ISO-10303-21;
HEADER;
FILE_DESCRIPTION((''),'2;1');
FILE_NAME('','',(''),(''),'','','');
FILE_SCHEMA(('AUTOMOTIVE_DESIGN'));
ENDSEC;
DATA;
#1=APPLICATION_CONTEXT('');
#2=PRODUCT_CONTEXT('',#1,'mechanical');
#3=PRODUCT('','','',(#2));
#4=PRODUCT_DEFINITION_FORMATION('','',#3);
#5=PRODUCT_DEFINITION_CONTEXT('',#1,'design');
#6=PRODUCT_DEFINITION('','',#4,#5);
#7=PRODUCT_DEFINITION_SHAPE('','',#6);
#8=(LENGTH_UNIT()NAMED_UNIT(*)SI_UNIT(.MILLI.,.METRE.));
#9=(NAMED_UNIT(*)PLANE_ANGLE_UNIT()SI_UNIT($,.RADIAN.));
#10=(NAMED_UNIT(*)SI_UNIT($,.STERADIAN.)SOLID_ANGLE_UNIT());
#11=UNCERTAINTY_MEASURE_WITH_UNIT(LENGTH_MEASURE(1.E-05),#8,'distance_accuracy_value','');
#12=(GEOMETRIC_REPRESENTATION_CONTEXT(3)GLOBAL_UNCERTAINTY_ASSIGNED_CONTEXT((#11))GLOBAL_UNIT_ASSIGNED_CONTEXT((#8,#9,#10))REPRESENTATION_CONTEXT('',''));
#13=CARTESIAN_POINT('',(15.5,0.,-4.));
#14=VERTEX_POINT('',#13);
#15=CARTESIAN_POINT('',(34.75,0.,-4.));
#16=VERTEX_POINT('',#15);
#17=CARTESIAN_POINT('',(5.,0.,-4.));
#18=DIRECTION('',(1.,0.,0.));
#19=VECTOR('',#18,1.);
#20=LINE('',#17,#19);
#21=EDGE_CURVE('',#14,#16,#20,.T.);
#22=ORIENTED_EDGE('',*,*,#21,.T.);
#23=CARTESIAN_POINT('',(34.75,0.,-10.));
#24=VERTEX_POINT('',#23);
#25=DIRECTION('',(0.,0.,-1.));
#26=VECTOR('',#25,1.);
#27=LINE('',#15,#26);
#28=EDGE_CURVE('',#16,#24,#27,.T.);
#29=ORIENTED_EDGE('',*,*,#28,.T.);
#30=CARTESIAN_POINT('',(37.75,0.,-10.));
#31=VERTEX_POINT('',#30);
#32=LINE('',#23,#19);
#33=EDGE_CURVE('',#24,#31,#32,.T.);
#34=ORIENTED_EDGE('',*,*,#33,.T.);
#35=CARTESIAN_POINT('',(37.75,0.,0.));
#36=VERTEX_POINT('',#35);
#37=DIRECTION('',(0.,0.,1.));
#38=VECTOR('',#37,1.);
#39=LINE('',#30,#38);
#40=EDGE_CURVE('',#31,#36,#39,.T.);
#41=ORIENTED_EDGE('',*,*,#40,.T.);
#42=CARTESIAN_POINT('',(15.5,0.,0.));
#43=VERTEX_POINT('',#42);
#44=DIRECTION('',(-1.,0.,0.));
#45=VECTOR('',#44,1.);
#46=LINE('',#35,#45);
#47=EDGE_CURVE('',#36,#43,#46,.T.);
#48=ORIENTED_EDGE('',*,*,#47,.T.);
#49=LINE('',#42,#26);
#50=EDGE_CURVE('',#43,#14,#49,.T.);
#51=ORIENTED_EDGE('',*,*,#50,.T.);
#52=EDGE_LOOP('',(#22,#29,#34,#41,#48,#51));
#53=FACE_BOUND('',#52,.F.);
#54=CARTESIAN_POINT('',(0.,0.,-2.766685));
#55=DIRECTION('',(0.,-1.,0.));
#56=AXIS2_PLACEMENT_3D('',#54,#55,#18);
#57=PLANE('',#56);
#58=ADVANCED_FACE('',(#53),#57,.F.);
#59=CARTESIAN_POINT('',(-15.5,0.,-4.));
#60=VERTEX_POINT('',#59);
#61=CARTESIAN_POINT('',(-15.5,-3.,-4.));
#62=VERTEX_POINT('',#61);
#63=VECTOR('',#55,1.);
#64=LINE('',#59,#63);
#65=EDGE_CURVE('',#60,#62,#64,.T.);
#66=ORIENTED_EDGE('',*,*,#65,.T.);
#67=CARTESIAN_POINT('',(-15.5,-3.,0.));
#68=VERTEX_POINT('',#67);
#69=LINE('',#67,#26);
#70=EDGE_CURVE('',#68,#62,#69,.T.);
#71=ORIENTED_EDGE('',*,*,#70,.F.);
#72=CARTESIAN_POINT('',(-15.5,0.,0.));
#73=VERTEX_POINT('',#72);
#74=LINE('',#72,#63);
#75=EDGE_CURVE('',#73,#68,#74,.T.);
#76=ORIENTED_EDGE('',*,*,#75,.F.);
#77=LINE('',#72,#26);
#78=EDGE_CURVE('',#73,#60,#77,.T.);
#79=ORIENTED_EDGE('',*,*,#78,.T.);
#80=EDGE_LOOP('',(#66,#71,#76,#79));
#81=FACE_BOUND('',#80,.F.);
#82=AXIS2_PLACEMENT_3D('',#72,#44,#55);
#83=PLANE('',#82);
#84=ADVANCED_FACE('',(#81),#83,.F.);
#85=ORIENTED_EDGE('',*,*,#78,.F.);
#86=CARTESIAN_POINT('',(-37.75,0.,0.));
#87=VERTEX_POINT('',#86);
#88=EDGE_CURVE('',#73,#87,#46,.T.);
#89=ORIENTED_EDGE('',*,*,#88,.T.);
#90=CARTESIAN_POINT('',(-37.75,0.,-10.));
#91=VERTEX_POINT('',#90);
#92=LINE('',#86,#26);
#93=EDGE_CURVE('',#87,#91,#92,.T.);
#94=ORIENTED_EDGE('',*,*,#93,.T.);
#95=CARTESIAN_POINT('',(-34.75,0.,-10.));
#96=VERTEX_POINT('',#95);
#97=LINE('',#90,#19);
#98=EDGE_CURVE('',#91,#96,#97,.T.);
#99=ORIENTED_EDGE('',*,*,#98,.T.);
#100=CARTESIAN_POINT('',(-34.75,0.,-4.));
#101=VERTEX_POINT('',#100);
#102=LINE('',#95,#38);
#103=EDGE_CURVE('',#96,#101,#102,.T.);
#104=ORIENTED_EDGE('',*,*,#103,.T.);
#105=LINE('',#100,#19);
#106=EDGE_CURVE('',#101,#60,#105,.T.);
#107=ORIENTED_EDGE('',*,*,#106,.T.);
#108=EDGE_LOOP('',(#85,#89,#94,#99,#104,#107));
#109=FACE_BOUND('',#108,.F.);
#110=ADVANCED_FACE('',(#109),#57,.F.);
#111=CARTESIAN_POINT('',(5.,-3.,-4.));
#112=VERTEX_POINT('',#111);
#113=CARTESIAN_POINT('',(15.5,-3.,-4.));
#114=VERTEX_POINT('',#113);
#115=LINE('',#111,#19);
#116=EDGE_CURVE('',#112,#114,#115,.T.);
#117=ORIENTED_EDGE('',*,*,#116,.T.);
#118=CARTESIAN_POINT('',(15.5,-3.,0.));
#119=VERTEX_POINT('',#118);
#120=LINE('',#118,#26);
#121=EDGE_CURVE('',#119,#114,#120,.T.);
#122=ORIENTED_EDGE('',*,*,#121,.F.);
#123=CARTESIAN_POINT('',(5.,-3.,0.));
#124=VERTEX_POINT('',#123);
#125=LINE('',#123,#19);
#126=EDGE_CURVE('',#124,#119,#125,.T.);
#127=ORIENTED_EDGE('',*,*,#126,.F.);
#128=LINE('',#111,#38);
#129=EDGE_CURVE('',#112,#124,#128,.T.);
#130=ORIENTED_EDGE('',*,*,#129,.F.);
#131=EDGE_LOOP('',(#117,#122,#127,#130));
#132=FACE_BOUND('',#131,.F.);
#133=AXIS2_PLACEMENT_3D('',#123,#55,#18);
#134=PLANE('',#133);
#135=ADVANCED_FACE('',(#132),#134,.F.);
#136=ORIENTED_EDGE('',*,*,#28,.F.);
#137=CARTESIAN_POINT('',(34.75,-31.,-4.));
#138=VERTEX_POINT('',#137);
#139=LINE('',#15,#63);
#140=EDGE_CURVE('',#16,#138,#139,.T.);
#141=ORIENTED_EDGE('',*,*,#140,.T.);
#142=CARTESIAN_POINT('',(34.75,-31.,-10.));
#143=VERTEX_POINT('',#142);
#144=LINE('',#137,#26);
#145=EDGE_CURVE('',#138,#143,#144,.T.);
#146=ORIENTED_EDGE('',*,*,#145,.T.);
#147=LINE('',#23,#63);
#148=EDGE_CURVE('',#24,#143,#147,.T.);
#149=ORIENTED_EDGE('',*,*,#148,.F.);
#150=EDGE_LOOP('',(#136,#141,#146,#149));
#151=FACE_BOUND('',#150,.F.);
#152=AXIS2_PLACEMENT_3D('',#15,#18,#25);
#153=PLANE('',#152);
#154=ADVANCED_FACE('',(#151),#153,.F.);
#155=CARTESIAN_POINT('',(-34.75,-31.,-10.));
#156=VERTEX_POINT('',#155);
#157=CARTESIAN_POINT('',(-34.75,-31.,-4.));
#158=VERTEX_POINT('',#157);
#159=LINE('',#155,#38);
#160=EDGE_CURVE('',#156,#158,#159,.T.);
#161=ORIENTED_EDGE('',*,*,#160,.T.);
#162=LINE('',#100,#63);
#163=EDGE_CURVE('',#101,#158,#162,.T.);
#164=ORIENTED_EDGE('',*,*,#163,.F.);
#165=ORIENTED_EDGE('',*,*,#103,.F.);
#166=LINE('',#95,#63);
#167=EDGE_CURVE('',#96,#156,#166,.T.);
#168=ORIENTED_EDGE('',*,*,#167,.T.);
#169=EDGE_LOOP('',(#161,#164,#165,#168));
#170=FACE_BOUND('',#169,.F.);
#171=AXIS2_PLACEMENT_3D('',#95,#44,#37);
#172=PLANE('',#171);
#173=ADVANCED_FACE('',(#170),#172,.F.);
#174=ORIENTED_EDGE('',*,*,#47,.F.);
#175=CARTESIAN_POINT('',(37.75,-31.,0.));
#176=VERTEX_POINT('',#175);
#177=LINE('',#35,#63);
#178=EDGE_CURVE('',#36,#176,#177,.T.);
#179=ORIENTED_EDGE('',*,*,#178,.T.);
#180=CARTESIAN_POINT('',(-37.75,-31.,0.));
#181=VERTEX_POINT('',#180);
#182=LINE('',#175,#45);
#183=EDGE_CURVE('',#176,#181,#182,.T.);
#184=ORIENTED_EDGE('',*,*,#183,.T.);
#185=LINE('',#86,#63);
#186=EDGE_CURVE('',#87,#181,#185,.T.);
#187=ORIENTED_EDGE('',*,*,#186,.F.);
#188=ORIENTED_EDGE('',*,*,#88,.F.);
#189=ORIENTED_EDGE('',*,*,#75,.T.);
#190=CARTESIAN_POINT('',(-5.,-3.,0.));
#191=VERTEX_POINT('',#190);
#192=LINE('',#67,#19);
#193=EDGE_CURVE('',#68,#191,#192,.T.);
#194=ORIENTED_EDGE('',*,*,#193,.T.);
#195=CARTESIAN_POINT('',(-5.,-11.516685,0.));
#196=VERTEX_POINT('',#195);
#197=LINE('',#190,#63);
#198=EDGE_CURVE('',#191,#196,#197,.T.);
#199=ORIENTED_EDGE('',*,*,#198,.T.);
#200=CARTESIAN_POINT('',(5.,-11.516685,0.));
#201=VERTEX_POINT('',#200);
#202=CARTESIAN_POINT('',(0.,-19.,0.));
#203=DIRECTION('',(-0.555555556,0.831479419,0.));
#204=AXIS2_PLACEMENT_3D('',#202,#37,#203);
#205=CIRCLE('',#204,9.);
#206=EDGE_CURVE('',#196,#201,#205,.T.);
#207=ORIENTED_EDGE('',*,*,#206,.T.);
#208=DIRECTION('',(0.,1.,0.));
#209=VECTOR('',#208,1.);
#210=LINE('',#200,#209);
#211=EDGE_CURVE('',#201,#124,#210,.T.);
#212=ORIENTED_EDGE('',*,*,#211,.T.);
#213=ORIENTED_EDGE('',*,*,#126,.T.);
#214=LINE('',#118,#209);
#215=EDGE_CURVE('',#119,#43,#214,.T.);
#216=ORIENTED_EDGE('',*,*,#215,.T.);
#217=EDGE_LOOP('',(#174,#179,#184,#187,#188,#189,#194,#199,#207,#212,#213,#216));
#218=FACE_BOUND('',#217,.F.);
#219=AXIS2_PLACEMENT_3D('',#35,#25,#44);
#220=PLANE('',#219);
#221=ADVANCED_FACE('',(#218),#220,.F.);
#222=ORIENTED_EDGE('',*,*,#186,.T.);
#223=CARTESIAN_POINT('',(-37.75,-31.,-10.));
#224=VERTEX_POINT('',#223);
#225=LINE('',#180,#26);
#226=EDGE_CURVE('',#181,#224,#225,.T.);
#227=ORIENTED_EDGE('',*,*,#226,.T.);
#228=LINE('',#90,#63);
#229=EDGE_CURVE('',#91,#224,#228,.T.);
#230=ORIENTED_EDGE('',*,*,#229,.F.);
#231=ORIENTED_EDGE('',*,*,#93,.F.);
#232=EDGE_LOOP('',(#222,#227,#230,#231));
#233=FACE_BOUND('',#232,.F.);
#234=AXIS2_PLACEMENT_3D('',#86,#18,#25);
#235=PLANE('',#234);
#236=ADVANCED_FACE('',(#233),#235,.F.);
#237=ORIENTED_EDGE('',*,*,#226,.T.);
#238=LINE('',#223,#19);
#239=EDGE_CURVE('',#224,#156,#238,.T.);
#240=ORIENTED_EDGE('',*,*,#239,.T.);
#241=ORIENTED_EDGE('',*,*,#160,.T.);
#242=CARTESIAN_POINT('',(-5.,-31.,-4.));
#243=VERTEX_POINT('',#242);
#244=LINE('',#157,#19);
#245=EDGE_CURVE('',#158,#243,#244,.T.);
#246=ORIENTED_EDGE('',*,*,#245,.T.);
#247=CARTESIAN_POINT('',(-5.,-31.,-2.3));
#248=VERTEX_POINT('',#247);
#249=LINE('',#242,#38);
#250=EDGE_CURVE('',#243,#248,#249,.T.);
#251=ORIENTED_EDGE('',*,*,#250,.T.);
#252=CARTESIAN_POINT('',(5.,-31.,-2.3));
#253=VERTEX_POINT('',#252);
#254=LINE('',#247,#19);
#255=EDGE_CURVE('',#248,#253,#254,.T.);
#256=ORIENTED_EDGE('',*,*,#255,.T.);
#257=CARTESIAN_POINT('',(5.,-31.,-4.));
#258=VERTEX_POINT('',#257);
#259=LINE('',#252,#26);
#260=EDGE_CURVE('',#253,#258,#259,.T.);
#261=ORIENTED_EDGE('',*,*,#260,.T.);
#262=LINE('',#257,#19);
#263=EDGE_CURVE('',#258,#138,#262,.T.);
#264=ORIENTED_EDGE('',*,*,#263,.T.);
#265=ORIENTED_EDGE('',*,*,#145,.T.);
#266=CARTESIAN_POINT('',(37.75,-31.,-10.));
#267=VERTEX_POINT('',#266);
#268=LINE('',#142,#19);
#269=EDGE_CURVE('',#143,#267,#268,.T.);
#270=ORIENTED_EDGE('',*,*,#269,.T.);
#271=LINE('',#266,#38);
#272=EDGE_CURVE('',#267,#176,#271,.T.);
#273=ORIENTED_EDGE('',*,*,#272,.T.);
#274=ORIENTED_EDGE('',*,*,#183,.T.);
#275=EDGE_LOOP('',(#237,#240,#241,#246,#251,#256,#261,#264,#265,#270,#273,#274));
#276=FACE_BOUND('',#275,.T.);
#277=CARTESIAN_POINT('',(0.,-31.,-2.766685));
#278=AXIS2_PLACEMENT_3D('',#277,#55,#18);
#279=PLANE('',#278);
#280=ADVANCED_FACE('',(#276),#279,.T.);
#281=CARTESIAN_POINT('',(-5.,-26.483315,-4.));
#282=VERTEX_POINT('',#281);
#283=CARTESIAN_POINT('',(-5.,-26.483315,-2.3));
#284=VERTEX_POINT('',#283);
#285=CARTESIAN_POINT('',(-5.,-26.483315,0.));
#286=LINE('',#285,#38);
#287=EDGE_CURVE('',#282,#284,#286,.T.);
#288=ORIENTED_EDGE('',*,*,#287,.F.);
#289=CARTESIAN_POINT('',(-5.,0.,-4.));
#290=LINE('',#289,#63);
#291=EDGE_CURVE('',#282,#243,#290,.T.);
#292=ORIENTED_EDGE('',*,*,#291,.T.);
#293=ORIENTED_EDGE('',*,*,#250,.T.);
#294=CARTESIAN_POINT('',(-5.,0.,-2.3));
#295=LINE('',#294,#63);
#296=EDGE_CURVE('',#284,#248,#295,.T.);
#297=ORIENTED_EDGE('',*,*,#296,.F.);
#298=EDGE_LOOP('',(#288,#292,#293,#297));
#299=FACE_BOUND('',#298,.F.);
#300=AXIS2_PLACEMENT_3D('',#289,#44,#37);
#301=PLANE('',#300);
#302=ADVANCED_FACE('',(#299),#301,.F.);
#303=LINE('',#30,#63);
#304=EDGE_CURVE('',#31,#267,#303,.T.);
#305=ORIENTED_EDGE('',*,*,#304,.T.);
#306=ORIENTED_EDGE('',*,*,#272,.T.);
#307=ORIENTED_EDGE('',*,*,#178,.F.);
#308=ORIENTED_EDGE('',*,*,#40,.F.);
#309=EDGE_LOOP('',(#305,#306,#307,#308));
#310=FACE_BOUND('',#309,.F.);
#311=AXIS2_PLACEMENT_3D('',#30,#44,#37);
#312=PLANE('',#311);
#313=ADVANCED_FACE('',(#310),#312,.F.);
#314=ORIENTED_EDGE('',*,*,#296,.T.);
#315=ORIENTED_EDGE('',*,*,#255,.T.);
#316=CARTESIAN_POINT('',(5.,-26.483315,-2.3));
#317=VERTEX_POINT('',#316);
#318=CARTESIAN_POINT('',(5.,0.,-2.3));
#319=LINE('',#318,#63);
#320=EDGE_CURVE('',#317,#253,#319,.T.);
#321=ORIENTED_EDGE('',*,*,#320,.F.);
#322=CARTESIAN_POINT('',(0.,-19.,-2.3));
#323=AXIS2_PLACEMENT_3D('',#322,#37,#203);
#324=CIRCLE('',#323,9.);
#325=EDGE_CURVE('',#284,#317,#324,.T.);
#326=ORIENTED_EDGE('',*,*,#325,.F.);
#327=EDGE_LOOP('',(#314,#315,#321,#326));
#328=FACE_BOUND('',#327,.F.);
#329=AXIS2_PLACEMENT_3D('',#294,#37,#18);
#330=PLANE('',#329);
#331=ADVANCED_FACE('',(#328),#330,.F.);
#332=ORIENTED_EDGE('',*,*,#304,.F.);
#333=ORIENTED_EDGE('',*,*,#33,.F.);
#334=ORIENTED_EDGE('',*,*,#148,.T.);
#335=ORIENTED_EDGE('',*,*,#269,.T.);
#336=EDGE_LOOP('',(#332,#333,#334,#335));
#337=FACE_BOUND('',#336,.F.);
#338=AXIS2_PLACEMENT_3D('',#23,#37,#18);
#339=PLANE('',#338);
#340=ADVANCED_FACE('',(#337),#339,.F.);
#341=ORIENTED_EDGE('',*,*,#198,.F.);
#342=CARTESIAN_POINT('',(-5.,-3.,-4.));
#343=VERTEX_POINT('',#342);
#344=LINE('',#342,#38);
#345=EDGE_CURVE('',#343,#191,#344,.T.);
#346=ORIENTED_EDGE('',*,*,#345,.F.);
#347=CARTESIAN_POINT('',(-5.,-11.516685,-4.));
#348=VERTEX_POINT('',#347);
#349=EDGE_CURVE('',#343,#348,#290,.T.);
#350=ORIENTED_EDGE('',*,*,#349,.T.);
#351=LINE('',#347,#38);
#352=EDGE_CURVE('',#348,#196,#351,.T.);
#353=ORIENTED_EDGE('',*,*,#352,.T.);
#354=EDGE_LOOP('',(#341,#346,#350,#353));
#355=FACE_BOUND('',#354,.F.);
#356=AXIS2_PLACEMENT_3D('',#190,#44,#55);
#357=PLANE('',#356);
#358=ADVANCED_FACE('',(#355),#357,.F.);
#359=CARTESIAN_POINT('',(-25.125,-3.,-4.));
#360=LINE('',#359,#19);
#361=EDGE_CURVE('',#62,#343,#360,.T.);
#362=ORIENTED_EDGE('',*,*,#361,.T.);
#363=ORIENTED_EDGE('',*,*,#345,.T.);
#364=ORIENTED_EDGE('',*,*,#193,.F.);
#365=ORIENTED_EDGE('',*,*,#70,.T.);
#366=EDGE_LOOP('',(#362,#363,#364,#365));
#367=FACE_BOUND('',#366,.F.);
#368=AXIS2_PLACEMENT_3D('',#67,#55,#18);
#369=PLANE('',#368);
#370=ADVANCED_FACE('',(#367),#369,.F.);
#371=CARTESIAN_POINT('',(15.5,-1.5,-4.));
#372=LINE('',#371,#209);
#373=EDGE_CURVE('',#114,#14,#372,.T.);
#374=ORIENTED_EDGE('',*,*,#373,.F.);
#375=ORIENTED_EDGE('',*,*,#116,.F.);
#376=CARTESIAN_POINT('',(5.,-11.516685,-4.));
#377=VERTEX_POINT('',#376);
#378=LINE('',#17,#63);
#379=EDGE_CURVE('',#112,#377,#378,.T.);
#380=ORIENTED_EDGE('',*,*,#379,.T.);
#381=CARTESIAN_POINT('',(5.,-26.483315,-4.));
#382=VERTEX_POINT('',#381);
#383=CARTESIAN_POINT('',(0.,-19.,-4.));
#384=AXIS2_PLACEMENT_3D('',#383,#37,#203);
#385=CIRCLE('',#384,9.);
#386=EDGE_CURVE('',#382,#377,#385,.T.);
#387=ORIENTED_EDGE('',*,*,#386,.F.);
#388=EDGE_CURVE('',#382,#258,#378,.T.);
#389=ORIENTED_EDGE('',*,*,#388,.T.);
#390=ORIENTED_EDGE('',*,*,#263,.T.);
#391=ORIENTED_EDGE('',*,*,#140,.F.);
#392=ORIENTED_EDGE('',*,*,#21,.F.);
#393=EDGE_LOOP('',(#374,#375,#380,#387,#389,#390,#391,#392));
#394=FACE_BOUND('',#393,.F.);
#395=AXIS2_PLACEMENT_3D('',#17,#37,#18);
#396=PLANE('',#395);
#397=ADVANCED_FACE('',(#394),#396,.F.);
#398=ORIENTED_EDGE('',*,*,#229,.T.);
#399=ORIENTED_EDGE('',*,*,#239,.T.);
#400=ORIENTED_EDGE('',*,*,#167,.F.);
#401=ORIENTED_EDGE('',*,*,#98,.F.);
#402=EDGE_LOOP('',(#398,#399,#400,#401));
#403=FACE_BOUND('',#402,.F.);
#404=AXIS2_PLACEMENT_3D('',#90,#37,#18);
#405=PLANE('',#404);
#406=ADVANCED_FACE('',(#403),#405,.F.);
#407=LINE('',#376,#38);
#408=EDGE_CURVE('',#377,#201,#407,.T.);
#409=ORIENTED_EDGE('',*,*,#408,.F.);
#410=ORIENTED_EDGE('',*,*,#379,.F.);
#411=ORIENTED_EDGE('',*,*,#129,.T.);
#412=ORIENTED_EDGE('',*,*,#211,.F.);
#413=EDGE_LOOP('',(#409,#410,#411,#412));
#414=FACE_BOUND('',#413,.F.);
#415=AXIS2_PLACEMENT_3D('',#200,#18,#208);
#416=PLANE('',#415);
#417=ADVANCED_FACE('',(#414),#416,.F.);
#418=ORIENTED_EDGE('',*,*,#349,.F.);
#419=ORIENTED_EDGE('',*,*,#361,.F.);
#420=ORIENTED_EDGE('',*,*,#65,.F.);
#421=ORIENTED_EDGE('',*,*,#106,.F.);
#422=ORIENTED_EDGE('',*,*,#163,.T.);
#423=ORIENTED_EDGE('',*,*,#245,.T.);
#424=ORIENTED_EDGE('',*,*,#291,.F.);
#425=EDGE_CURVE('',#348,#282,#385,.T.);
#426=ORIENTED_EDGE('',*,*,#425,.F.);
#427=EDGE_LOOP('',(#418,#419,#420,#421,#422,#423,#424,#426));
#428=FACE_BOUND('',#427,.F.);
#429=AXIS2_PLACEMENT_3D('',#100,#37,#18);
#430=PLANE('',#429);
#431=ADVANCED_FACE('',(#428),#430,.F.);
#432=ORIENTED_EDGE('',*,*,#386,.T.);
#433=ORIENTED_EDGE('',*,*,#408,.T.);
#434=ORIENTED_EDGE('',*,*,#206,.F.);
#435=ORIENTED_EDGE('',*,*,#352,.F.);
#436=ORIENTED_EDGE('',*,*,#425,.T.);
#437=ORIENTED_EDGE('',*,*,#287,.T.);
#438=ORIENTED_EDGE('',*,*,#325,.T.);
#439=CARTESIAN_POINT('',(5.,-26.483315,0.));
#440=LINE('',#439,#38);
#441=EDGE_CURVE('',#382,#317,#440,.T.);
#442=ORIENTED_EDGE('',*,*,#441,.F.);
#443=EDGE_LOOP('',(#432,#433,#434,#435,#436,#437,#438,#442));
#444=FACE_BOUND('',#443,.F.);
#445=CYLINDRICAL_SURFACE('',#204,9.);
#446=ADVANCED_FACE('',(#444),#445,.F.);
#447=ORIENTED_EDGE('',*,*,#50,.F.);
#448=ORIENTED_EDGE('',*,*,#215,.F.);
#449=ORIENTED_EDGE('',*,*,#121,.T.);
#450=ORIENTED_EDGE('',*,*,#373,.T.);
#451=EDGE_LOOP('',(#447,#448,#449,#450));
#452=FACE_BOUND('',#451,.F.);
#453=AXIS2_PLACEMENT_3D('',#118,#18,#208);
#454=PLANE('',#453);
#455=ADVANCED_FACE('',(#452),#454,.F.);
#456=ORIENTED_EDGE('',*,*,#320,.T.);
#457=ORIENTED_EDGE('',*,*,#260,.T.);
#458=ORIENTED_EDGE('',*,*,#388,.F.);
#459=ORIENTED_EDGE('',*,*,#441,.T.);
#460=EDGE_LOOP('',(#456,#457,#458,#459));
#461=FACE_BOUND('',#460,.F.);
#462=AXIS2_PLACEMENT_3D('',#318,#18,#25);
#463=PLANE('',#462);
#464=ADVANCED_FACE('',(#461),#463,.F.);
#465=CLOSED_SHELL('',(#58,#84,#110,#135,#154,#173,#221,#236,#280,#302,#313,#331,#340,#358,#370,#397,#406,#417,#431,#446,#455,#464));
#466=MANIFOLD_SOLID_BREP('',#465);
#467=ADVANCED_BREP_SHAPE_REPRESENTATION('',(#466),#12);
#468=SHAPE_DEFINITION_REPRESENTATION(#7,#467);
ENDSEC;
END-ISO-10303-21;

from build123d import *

# Parameters (mm, degrees)
F1_DEPTH = 31
F3_DEPTH = 4.001


with BuildPart() as f1:
    # F0 (on Front) → F1 (new body)
    with BuildSketch(Plane.XZ):
        Polygon((37.75, 0), (-37.75, 0), (-37.75, -10), (-34.75, -10), (-34.75, -4), (-5, -4), (-5, -2.3), (5, -2.3), (5, -4), (34.75, -4), (34.75, -10), (37.75, -10), align=None)
    extrude(amount=F1_DEPTH)

    # F2 (on face) → F3 (cut, through all)
    with BuildSketch(Plane.XY):
        with BuildLine():
            Line((15.5, 0), (-15.5, 0))
            Line((-15.5, 0), (-15.5, -3))
            Line((-15.5, -3), (-5, -3))
            Line((-5, -3), (-5, -11.5166852265))
            ThreePointArc((-5, -11.5166852265), (0, -28), (5, -11.5166852265))
            Line((5, -11.5166852265), (5, -3))
            Line((5, -3), (15.5, -3))
            Line((15.5, -3), (15.5, 0))
        make_face()
    extrude(amount=-F3_DEPTH, mode=Mode.SUBTRACT)


solid = f1.part
